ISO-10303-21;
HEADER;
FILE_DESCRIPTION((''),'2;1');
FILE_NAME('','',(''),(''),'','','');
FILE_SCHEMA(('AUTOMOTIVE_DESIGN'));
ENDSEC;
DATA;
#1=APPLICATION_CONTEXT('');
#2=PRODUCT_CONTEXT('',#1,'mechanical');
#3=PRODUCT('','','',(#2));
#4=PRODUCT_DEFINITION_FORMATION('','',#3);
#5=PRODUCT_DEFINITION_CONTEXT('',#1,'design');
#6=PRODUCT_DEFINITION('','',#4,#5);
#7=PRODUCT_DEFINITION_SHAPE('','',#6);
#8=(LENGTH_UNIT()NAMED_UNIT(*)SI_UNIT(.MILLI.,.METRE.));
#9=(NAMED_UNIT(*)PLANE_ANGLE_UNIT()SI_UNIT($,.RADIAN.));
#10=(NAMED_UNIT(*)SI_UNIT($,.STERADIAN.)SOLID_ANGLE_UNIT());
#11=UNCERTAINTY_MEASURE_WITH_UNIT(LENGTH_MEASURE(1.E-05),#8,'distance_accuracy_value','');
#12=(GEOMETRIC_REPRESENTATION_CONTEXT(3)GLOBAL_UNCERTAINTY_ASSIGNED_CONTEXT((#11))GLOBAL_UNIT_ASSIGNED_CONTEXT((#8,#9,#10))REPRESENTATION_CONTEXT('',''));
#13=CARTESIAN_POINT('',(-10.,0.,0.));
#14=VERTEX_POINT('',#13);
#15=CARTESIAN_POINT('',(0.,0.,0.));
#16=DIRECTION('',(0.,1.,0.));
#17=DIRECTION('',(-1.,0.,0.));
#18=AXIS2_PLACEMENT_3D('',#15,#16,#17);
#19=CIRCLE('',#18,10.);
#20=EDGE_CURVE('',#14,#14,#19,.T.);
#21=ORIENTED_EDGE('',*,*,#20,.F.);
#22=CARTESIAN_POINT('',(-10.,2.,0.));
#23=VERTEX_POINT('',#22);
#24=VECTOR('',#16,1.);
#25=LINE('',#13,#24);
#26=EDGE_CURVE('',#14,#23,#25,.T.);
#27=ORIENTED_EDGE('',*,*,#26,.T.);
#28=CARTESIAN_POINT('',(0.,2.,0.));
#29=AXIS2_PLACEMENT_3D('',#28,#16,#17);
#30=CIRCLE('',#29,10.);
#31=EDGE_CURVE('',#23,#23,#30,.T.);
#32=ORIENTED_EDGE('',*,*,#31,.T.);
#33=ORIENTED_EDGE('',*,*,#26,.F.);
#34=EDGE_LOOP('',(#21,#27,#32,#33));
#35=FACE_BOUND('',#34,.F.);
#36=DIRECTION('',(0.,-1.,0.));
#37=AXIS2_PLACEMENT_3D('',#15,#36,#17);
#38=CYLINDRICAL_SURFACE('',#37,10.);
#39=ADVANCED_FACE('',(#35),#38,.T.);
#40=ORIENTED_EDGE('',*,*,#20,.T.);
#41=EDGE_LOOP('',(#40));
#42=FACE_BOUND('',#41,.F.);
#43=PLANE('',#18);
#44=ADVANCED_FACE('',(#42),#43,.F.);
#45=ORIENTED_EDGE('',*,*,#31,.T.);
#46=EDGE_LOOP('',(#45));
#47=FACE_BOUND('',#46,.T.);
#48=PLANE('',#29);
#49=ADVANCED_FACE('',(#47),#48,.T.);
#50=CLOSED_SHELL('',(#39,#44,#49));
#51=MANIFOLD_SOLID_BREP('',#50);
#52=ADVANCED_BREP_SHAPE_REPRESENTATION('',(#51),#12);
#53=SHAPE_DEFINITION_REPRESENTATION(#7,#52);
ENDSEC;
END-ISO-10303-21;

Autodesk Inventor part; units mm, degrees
ref_plane "YZ Plane" through (0, 0, 0) normal (1, 0, 0) x (0, 1, 0)
ref_plane "XZ Plane" through (0, 0, 0) normal (0, 1, 0) x (-1, 0, 0)
ref_plane "XY Plane" through (0, 0, 0) normal (0, 0, 1) x (1, 0, 0)
sketch "Sketch1" plane through (0, 0, 0) normal (0, 1, 0) x (-1, 0, 0)
  circle A0 centre (0, 0) radius 10
  dimension "d0" = 20
extrude "Extrusion1" add sketch "Sketch1" along normal blind 2
